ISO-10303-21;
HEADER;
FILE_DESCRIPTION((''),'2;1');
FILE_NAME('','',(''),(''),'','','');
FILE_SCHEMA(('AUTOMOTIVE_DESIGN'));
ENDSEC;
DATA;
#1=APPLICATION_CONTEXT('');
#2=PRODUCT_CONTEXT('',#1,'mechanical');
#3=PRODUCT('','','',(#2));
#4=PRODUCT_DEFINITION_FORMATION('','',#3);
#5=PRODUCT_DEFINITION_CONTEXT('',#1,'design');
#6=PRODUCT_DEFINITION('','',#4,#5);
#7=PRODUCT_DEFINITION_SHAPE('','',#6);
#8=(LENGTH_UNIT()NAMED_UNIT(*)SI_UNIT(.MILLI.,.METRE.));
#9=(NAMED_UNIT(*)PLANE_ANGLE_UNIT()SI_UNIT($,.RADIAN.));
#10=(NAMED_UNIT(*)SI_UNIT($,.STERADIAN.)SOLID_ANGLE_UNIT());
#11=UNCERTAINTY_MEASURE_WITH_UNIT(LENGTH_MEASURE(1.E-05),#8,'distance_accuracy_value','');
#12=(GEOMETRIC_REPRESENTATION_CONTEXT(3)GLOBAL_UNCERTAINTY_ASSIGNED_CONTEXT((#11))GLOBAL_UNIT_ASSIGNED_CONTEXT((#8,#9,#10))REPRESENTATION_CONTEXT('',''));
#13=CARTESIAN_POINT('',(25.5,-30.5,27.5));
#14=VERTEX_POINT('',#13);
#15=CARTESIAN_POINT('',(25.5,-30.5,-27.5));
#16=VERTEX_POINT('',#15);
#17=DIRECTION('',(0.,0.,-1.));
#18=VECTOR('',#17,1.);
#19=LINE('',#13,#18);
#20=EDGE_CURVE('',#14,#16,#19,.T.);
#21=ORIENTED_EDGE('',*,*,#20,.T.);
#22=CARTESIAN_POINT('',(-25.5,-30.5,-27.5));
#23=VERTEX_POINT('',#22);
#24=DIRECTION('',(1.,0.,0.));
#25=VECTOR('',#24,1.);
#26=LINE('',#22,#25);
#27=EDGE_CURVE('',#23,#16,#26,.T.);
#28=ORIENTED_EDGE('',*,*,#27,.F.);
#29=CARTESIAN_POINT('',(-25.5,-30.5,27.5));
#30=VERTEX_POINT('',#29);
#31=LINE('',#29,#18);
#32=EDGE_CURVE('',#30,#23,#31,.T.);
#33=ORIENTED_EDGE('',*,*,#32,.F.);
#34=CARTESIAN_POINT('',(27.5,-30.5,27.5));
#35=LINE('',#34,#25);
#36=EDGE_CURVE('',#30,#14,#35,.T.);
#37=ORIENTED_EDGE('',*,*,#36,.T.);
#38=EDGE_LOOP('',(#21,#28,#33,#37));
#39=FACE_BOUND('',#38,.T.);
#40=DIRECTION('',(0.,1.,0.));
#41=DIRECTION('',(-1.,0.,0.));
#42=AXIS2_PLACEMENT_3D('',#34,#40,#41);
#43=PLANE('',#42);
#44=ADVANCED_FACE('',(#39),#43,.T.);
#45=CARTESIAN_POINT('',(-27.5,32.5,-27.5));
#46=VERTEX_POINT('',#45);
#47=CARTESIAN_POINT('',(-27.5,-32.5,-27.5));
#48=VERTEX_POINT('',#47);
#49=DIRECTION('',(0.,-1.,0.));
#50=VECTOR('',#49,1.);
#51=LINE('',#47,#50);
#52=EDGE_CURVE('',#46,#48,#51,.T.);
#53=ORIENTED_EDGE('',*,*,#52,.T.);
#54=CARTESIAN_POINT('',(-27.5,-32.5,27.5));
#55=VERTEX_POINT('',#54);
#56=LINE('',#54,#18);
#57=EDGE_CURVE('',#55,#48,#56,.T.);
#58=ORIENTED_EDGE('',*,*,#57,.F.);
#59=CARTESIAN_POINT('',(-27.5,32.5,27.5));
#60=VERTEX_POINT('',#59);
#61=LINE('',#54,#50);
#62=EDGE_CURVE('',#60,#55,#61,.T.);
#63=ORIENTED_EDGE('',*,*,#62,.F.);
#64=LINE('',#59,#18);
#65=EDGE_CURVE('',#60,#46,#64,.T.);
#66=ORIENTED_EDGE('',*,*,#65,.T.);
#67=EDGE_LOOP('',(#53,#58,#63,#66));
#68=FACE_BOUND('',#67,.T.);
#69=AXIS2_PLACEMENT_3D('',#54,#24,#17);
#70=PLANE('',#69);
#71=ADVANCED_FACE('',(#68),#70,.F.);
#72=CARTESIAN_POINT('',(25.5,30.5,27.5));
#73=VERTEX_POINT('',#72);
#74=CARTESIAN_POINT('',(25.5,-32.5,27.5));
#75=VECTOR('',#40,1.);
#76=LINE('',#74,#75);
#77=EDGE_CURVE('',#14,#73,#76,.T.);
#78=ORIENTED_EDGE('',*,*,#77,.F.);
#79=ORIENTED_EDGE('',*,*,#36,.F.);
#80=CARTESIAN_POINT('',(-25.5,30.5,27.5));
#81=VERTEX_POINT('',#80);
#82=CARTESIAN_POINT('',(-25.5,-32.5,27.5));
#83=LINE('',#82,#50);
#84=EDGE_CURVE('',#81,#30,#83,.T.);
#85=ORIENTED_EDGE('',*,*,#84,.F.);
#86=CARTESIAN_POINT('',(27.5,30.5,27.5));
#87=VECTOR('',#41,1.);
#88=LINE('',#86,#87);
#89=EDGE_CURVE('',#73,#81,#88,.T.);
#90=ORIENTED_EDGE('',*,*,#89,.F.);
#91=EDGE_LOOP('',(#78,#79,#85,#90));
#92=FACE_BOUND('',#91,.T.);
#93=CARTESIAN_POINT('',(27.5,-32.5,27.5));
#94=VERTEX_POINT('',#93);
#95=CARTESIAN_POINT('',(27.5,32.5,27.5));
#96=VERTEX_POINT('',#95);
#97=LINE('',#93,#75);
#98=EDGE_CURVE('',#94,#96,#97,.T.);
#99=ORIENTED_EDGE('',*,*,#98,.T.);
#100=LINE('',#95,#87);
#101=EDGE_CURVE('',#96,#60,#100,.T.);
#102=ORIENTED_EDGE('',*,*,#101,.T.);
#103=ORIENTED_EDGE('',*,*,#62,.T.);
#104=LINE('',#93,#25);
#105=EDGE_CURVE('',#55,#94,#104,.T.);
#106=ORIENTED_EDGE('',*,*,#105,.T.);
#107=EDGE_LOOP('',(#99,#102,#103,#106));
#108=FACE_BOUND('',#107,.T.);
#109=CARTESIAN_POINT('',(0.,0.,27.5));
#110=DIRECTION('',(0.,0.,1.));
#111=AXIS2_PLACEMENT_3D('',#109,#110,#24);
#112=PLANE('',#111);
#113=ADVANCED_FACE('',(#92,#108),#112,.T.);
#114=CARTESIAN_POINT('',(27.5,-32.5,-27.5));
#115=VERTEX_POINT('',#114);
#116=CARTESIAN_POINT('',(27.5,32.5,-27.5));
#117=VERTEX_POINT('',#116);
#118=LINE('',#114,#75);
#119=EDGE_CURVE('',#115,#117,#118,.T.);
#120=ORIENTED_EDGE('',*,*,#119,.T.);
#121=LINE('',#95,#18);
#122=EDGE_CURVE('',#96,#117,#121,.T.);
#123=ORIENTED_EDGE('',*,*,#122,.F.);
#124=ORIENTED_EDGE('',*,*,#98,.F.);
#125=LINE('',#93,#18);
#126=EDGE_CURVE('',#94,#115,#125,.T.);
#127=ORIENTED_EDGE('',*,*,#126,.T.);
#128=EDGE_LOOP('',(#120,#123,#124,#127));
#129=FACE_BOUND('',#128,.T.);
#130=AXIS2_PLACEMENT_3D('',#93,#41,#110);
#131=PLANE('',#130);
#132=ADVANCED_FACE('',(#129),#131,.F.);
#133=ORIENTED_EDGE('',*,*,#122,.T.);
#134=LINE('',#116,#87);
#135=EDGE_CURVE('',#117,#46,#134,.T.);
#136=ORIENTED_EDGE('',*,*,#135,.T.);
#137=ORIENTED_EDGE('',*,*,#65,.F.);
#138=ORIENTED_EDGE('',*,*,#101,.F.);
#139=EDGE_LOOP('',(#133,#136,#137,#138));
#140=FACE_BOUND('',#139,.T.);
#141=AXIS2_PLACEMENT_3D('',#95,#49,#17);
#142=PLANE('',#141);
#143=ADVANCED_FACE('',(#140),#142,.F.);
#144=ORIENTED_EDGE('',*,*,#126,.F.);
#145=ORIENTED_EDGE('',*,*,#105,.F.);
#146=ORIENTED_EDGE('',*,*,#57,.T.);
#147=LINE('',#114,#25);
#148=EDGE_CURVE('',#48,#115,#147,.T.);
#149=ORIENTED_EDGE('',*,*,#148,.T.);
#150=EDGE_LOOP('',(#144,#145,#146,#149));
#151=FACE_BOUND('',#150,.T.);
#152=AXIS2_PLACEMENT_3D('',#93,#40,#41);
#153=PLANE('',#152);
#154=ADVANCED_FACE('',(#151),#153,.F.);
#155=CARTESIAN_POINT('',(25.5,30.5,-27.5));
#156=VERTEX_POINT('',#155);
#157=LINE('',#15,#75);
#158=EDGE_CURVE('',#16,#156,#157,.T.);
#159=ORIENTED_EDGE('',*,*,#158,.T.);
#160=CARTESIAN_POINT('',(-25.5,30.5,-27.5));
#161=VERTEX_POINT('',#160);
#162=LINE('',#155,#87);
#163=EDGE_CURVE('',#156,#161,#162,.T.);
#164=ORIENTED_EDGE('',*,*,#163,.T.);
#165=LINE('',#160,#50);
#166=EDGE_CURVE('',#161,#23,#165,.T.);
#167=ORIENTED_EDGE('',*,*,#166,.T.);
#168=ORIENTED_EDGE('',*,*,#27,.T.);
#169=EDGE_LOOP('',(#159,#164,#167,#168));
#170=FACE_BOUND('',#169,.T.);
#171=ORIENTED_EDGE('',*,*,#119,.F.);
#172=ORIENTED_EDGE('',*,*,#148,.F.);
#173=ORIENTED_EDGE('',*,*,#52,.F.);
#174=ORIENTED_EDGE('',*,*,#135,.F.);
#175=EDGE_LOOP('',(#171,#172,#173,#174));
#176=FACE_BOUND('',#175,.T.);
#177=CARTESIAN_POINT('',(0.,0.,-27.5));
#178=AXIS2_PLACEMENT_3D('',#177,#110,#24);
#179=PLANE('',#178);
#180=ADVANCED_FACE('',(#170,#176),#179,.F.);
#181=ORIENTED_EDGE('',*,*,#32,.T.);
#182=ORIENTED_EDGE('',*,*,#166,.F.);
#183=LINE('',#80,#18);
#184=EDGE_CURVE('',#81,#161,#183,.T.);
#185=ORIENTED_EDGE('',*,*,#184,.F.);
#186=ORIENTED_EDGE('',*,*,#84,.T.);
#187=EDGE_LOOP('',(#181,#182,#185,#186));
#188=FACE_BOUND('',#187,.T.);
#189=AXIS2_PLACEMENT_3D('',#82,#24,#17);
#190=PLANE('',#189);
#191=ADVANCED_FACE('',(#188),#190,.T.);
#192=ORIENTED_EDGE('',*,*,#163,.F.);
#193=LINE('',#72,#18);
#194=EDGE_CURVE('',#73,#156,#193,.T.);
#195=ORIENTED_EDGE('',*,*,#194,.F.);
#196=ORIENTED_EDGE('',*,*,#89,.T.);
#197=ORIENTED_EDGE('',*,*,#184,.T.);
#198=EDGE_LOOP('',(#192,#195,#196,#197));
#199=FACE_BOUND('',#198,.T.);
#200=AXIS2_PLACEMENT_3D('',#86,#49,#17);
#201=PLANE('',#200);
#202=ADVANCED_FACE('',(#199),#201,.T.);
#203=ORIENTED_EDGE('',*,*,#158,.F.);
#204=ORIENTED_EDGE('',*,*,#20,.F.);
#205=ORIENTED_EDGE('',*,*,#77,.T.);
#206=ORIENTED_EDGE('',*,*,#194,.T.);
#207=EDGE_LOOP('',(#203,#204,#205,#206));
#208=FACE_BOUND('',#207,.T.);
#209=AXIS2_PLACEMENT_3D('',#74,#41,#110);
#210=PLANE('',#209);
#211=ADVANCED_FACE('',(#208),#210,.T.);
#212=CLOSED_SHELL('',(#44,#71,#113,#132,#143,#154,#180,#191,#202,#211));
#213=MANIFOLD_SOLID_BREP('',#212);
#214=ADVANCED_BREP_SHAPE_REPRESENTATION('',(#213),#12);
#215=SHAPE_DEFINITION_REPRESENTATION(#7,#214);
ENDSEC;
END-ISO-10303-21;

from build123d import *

# Parameters (mm, degrees)
SKETCH1_W           = 55
SKETCH1_H           = 65
BOSS_EXTRUDE1_DEPTH = 27.5
SHELL1_T            = -2
SKETCH2_W           = 51
SKETCH2_H           = 61
CUT_EXTRUDE1_DEPTH  = 68.981615162


with BuildPart() as part:
    # Sketch1 → Boss-Extrude1 (new, symmetric)
    with BuildSketch(Plane.XY):
        Rectangle(SKETCH1_W, SKETCH1_H)
    extrude(amount=BOSS_EXTRUDE1_DEPTH, both=True)

    # Shell1
    shell1_openings = [part.faces().sort_by_distance(p)[0] for p in [
        (0, 0, 27.5),
    ]]
    offset(amount=SHELL1_T, openings=shell1_openings, kind=Kind.INTERSECTION)

    # Sketch2 → Cut-Extrude1 (cut, through all)
    with BuildSketch(Plane.XY.offset(-25.5)):
        Rectangle(SKETCH2_W, SKETCH2_H)
    extrude(amount=-CUT_EXTRUDE1_DEPTH, mode=Mode.SUBTRACT)


solid = part.part
